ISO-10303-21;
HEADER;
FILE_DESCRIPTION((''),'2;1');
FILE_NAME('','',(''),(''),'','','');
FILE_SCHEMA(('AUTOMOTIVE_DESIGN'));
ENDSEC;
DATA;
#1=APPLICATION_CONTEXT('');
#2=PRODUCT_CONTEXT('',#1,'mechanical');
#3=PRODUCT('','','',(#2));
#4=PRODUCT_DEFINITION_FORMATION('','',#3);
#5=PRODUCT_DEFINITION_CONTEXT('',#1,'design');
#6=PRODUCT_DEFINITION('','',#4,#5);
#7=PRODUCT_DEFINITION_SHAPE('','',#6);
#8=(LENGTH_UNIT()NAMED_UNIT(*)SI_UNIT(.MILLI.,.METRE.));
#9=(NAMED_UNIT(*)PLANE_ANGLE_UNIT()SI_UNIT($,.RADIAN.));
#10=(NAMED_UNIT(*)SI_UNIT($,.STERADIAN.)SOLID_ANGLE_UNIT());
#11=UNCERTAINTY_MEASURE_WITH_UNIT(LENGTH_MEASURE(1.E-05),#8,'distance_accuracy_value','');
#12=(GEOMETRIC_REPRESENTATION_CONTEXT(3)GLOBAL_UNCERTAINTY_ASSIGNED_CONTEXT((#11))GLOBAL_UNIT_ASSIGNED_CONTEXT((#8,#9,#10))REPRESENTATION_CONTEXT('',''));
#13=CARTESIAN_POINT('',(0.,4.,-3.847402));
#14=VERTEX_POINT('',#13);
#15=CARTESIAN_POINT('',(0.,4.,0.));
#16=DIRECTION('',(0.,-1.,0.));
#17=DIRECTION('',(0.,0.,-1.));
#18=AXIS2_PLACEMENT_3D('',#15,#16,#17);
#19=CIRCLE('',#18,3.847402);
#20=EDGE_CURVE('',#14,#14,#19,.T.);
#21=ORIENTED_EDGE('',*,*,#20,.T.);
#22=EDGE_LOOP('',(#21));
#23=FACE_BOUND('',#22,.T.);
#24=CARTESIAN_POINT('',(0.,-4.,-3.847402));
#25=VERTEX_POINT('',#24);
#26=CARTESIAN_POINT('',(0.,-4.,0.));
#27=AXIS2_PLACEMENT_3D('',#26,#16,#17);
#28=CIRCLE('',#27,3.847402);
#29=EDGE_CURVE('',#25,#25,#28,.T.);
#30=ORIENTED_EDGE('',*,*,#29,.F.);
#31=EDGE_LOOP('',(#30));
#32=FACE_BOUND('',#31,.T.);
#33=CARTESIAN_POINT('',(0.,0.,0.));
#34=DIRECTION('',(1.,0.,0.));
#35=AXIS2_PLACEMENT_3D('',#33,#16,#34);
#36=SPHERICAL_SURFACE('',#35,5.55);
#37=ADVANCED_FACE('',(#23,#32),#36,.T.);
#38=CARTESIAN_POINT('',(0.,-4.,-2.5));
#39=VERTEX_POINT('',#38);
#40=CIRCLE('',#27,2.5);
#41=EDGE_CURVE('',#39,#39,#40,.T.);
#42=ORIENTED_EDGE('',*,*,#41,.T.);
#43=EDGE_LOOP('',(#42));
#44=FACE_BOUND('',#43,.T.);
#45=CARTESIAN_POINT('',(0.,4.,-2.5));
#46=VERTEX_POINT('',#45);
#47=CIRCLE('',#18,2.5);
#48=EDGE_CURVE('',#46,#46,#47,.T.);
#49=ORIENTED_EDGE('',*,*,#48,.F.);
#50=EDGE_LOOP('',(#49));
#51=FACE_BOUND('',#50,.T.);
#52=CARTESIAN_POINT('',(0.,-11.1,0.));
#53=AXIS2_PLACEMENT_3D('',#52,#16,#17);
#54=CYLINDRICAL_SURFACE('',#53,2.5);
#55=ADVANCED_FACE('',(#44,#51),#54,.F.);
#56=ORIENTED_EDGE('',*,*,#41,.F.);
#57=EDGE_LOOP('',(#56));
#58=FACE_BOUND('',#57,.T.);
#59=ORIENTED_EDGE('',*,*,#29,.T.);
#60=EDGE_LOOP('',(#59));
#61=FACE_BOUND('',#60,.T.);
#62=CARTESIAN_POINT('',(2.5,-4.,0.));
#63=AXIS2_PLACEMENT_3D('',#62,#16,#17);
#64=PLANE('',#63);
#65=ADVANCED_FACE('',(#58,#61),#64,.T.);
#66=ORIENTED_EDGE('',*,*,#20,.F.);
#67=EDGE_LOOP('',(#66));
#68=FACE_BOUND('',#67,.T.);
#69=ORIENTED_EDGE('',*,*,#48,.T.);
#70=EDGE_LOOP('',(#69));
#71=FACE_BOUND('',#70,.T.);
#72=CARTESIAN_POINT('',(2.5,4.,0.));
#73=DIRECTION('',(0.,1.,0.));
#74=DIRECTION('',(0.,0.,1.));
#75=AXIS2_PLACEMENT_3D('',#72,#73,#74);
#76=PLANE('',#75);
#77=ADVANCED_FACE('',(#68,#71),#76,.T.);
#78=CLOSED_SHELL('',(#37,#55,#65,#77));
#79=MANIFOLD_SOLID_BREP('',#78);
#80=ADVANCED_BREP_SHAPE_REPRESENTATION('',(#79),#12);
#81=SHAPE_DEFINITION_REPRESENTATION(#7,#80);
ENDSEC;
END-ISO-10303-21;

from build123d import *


with BuildPart() as part:
    # Szkic1 → Obrót1 (revolve)
    with BuildSketch(Plane.XY):
        with BuildLine():
            Line((2.5, -4), (2.5, 4))
            Line((2.5, 4), (3.847401721, 4))
            ThreePointArc((3.847401721, 4), (5.55, 0), (3.847401721, -4))
            Line((3.847401721, -4), (2.5, -4))
        make_face()
    revolve(axis=Axis((0, -11.1, 0), (0, 1, 0)))


solid = part.part
